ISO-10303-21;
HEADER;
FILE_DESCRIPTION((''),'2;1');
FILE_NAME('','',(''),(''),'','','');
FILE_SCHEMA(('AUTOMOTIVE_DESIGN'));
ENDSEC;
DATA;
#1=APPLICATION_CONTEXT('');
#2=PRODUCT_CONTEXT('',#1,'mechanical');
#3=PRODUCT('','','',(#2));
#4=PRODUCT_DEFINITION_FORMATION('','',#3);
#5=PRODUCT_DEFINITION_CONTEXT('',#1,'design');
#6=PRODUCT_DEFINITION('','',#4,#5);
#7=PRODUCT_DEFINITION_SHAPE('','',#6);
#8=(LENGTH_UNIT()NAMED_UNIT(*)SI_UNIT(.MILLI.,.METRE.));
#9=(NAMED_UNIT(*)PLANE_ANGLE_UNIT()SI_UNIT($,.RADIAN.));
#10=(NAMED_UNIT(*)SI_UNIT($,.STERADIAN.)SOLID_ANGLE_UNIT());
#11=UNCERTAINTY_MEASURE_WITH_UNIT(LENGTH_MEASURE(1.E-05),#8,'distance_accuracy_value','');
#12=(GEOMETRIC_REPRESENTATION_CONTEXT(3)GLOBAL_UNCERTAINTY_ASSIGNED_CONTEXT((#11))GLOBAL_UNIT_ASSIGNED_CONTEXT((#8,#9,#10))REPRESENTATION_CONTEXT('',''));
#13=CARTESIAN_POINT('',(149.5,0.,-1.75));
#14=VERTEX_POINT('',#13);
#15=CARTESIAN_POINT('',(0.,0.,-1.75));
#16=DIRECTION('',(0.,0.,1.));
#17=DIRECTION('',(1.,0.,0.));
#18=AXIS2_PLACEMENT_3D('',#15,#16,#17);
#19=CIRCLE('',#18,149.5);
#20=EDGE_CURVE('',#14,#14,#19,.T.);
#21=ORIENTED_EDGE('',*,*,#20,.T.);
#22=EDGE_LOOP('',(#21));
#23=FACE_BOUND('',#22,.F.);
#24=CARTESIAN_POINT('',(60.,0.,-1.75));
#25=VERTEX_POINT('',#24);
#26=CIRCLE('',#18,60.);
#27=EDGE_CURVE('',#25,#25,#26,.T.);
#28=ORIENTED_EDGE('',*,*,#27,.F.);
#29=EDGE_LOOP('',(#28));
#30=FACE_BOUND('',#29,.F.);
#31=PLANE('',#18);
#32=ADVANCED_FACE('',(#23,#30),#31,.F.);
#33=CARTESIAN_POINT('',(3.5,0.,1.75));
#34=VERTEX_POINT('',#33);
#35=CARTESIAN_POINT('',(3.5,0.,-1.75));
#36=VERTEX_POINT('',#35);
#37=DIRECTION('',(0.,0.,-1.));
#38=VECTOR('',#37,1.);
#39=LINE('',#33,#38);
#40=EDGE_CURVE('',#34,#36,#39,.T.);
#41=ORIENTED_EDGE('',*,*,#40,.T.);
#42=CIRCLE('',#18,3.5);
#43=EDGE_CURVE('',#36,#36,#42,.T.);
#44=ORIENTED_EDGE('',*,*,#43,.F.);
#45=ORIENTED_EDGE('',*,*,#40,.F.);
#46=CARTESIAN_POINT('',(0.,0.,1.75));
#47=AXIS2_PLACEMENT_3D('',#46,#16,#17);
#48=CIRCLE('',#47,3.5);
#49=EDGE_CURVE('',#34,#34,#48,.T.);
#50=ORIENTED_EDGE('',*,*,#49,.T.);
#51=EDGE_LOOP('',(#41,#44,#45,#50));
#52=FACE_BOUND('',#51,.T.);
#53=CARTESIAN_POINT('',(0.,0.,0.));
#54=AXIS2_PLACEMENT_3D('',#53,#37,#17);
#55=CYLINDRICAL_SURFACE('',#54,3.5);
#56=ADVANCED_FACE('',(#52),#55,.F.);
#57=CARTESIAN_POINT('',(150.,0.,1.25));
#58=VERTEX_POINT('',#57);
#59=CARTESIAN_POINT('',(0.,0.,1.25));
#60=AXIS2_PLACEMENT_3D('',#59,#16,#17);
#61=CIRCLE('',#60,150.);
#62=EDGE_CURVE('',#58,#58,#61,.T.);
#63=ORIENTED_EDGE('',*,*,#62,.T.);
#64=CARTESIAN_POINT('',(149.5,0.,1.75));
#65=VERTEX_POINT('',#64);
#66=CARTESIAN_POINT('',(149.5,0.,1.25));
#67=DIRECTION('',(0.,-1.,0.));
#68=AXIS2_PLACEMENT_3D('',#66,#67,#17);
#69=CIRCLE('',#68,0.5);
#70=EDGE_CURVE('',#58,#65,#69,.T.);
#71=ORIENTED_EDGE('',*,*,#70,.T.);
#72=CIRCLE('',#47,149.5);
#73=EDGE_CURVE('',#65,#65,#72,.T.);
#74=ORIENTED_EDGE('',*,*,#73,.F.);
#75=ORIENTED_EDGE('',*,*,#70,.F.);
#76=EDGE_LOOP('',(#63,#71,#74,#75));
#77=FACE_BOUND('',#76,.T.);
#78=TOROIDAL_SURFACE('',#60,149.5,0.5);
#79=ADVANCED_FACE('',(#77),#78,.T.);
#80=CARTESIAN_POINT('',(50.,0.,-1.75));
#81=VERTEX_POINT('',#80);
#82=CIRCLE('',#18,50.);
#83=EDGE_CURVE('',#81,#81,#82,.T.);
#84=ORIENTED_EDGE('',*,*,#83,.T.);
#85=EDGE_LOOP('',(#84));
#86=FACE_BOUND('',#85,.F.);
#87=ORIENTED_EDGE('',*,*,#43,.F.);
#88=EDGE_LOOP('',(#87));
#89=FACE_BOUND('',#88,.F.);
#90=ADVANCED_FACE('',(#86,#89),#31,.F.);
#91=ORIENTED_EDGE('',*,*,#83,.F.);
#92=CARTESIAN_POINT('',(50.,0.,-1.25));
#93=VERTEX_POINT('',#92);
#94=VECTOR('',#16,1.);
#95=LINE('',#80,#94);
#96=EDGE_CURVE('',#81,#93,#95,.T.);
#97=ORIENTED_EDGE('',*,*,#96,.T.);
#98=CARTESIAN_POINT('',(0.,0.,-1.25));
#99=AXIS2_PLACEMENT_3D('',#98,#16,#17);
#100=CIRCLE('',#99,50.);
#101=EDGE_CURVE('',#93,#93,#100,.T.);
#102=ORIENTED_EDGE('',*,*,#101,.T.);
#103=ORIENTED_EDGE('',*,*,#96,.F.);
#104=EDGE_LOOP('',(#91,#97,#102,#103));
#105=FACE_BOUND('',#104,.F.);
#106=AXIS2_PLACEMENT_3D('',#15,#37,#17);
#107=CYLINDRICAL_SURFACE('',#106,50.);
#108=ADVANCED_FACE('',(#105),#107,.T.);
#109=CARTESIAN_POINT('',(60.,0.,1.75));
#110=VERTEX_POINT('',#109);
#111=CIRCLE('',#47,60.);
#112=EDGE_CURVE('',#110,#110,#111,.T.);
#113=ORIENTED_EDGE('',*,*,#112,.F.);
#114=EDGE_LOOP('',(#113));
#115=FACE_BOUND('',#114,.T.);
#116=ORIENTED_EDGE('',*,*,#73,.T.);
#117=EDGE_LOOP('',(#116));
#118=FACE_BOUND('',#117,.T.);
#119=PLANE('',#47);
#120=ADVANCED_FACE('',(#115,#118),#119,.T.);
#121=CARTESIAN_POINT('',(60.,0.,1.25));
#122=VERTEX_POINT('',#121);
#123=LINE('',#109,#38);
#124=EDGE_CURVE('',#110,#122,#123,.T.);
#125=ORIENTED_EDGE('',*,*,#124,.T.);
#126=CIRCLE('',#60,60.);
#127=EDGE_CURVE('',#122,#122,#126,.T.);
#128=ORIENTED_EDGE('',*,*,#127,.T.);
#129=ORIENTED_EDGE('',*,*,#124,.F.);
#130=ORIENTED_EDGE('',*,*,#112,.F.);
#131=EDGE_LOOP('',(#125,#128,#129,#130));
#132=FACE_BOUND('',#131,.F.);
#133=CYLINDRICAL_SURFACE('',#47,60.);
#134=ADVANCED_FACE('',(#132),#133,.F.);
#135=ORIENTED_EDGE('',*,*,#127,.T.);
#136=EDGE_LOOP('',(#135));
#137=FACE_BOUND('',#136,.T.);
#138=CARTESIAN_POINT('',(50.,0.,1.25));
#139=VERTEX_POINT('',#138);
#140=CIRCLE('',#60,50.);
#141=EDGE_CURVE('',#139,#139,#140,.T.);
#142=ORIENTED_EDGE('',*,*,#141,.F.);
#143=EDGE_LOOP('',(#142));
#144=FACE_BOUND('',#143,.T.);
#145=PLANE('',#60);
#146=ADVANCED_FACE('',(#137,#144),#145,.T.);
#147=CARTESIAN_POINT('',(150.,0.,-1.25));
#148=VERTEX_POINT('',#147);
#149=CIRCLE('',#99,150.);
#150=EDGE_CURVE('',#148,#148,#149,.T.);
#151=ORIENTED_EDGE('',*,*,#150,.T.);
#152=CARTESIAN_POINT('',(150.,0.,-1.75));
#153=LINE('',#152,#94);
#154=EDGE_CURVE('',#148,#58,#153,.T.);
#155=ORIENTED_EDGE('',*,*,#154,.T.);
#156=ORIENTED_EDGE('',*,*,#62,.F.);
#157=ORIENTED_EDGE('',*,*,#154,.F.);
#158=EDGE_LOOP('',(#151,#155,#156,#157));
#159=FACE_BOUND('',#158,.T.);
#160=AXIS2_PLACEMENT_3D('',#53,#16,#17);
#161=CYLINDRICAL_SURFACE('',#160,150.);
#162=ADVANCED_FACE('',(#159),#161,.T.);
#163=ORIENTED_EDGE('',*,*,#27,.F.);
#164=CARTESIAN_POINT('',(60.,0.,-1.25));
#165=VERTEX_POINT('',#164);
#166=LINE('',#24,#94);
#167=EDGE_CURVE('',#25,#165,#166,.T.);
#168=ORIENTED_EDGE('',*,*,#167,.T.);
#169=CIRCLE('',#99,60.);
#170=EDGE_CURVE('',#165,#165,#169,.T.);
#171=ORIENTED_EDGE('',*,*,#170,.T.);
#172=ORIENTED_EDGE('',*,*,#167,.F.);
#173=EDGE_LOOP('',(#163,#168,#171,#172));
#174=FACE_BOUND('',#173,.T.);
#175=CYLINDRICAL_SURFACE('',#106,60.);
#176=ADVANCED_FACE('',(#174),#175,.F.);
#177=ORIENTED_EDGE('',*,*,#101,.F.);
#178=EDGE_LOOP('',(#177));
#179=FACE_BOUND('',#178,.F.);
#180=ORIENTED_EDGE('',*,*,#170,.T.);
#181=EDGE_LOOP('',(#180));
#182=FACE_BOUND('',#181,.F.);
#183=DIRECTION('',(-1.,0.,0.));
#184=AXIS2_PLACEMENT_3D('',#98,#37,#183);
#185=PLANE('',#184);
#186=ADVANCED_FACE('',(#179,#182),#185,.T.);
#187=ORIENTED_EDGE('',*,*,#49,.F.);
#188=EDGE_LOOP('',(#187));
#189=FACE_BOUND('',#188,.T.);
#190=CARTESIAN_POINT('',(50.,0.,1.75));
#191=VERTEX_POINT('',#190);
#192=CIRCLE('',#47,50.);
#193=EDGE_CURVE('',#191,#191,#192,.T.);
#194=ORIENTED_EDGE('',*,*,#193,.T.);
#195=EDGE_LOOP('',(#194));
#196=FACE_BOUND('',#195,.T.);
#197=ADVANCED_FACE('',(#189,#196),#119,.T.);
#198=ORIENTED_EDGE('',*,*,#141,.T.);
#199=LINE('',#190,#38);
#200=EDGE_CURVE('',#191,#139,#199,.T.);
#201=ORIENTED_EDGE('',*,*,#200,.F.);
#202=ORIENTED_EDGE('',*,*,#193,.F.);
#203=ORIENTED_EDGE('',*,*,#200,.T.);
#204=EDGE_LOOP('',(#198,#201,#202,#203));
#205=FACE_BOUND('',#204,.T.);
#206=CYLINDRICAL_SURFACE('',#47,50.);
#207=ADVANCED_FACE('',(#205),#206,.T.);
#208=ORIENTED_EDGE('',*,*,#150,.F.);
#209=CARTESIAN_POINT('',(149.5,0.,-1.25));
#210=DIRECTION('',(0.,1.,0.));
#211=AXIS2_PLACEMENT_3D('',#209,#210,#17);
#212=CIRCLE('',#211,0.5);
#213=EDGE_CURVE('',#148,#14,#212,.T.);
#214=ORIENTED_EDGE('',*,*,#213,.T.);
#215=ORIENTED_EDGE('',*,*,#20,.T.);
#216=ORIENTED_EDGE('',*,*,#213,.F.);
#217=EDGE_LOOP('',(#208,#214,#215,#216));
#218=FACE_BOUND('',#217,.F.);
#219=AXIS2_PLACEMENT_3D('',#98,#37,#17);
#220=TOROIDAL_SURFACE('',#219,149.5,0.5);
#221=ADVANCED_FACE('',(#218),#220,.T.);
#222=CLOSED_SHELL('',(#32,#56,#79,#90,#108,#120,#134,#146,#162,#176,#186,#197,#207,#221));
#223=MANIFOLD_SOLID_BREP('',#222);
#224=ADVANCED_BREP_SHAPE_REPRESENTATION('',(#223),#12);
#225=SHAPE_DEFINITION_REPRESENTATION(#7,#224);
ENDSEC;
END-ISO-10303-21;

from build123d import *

# Parameters (mm, degrees)
SKETCH_R      = 150
SKETCH_R_2    = 3.5
PAD_DEPTH     = 1.75
FILLET_R      = 0.5
SKETCH001_R   = 60
SKETCH001_R_2 = 50
POCKET_DEPTH  = 0.5


with BuildPart() as part:
    # Sketch → Pad (new body, symmetric)
    with BuildSketch(Plane.XY):
        Circle(SKETCH_R)
        Circle(SKETCH_R_2, mode=Mode.SUBTRACT)
    extrude(amount=PAD_DEPTH, both=True)

    # Fillet
    fillet_edges = [part.edges().sort_by_distance(p)[0] for p in [
        (150, 0, 0),
        (-150, 0, -1.75),
        (-150, 0, 1.75),
    ]]
    fillet(fillet_edges, radius=FILLET_R)

    # Sketch001 → Pocket (cut)
    with BuildSketch(Plane.XY.offset(1.75)):
        Circle(SKETCH001_R)
        Circle(SKETCH001_R_2, mode=Mode.SUBTRACT)
    pocket = extrude(amount=-POCKET_DEPTH, mode=Mode.SUBTRACT)

    # Mirrored: Pocket across XY
    add(pocket.mirror(Plane.XY), mode=Mode.SUBTRACT)


solid = part.part
